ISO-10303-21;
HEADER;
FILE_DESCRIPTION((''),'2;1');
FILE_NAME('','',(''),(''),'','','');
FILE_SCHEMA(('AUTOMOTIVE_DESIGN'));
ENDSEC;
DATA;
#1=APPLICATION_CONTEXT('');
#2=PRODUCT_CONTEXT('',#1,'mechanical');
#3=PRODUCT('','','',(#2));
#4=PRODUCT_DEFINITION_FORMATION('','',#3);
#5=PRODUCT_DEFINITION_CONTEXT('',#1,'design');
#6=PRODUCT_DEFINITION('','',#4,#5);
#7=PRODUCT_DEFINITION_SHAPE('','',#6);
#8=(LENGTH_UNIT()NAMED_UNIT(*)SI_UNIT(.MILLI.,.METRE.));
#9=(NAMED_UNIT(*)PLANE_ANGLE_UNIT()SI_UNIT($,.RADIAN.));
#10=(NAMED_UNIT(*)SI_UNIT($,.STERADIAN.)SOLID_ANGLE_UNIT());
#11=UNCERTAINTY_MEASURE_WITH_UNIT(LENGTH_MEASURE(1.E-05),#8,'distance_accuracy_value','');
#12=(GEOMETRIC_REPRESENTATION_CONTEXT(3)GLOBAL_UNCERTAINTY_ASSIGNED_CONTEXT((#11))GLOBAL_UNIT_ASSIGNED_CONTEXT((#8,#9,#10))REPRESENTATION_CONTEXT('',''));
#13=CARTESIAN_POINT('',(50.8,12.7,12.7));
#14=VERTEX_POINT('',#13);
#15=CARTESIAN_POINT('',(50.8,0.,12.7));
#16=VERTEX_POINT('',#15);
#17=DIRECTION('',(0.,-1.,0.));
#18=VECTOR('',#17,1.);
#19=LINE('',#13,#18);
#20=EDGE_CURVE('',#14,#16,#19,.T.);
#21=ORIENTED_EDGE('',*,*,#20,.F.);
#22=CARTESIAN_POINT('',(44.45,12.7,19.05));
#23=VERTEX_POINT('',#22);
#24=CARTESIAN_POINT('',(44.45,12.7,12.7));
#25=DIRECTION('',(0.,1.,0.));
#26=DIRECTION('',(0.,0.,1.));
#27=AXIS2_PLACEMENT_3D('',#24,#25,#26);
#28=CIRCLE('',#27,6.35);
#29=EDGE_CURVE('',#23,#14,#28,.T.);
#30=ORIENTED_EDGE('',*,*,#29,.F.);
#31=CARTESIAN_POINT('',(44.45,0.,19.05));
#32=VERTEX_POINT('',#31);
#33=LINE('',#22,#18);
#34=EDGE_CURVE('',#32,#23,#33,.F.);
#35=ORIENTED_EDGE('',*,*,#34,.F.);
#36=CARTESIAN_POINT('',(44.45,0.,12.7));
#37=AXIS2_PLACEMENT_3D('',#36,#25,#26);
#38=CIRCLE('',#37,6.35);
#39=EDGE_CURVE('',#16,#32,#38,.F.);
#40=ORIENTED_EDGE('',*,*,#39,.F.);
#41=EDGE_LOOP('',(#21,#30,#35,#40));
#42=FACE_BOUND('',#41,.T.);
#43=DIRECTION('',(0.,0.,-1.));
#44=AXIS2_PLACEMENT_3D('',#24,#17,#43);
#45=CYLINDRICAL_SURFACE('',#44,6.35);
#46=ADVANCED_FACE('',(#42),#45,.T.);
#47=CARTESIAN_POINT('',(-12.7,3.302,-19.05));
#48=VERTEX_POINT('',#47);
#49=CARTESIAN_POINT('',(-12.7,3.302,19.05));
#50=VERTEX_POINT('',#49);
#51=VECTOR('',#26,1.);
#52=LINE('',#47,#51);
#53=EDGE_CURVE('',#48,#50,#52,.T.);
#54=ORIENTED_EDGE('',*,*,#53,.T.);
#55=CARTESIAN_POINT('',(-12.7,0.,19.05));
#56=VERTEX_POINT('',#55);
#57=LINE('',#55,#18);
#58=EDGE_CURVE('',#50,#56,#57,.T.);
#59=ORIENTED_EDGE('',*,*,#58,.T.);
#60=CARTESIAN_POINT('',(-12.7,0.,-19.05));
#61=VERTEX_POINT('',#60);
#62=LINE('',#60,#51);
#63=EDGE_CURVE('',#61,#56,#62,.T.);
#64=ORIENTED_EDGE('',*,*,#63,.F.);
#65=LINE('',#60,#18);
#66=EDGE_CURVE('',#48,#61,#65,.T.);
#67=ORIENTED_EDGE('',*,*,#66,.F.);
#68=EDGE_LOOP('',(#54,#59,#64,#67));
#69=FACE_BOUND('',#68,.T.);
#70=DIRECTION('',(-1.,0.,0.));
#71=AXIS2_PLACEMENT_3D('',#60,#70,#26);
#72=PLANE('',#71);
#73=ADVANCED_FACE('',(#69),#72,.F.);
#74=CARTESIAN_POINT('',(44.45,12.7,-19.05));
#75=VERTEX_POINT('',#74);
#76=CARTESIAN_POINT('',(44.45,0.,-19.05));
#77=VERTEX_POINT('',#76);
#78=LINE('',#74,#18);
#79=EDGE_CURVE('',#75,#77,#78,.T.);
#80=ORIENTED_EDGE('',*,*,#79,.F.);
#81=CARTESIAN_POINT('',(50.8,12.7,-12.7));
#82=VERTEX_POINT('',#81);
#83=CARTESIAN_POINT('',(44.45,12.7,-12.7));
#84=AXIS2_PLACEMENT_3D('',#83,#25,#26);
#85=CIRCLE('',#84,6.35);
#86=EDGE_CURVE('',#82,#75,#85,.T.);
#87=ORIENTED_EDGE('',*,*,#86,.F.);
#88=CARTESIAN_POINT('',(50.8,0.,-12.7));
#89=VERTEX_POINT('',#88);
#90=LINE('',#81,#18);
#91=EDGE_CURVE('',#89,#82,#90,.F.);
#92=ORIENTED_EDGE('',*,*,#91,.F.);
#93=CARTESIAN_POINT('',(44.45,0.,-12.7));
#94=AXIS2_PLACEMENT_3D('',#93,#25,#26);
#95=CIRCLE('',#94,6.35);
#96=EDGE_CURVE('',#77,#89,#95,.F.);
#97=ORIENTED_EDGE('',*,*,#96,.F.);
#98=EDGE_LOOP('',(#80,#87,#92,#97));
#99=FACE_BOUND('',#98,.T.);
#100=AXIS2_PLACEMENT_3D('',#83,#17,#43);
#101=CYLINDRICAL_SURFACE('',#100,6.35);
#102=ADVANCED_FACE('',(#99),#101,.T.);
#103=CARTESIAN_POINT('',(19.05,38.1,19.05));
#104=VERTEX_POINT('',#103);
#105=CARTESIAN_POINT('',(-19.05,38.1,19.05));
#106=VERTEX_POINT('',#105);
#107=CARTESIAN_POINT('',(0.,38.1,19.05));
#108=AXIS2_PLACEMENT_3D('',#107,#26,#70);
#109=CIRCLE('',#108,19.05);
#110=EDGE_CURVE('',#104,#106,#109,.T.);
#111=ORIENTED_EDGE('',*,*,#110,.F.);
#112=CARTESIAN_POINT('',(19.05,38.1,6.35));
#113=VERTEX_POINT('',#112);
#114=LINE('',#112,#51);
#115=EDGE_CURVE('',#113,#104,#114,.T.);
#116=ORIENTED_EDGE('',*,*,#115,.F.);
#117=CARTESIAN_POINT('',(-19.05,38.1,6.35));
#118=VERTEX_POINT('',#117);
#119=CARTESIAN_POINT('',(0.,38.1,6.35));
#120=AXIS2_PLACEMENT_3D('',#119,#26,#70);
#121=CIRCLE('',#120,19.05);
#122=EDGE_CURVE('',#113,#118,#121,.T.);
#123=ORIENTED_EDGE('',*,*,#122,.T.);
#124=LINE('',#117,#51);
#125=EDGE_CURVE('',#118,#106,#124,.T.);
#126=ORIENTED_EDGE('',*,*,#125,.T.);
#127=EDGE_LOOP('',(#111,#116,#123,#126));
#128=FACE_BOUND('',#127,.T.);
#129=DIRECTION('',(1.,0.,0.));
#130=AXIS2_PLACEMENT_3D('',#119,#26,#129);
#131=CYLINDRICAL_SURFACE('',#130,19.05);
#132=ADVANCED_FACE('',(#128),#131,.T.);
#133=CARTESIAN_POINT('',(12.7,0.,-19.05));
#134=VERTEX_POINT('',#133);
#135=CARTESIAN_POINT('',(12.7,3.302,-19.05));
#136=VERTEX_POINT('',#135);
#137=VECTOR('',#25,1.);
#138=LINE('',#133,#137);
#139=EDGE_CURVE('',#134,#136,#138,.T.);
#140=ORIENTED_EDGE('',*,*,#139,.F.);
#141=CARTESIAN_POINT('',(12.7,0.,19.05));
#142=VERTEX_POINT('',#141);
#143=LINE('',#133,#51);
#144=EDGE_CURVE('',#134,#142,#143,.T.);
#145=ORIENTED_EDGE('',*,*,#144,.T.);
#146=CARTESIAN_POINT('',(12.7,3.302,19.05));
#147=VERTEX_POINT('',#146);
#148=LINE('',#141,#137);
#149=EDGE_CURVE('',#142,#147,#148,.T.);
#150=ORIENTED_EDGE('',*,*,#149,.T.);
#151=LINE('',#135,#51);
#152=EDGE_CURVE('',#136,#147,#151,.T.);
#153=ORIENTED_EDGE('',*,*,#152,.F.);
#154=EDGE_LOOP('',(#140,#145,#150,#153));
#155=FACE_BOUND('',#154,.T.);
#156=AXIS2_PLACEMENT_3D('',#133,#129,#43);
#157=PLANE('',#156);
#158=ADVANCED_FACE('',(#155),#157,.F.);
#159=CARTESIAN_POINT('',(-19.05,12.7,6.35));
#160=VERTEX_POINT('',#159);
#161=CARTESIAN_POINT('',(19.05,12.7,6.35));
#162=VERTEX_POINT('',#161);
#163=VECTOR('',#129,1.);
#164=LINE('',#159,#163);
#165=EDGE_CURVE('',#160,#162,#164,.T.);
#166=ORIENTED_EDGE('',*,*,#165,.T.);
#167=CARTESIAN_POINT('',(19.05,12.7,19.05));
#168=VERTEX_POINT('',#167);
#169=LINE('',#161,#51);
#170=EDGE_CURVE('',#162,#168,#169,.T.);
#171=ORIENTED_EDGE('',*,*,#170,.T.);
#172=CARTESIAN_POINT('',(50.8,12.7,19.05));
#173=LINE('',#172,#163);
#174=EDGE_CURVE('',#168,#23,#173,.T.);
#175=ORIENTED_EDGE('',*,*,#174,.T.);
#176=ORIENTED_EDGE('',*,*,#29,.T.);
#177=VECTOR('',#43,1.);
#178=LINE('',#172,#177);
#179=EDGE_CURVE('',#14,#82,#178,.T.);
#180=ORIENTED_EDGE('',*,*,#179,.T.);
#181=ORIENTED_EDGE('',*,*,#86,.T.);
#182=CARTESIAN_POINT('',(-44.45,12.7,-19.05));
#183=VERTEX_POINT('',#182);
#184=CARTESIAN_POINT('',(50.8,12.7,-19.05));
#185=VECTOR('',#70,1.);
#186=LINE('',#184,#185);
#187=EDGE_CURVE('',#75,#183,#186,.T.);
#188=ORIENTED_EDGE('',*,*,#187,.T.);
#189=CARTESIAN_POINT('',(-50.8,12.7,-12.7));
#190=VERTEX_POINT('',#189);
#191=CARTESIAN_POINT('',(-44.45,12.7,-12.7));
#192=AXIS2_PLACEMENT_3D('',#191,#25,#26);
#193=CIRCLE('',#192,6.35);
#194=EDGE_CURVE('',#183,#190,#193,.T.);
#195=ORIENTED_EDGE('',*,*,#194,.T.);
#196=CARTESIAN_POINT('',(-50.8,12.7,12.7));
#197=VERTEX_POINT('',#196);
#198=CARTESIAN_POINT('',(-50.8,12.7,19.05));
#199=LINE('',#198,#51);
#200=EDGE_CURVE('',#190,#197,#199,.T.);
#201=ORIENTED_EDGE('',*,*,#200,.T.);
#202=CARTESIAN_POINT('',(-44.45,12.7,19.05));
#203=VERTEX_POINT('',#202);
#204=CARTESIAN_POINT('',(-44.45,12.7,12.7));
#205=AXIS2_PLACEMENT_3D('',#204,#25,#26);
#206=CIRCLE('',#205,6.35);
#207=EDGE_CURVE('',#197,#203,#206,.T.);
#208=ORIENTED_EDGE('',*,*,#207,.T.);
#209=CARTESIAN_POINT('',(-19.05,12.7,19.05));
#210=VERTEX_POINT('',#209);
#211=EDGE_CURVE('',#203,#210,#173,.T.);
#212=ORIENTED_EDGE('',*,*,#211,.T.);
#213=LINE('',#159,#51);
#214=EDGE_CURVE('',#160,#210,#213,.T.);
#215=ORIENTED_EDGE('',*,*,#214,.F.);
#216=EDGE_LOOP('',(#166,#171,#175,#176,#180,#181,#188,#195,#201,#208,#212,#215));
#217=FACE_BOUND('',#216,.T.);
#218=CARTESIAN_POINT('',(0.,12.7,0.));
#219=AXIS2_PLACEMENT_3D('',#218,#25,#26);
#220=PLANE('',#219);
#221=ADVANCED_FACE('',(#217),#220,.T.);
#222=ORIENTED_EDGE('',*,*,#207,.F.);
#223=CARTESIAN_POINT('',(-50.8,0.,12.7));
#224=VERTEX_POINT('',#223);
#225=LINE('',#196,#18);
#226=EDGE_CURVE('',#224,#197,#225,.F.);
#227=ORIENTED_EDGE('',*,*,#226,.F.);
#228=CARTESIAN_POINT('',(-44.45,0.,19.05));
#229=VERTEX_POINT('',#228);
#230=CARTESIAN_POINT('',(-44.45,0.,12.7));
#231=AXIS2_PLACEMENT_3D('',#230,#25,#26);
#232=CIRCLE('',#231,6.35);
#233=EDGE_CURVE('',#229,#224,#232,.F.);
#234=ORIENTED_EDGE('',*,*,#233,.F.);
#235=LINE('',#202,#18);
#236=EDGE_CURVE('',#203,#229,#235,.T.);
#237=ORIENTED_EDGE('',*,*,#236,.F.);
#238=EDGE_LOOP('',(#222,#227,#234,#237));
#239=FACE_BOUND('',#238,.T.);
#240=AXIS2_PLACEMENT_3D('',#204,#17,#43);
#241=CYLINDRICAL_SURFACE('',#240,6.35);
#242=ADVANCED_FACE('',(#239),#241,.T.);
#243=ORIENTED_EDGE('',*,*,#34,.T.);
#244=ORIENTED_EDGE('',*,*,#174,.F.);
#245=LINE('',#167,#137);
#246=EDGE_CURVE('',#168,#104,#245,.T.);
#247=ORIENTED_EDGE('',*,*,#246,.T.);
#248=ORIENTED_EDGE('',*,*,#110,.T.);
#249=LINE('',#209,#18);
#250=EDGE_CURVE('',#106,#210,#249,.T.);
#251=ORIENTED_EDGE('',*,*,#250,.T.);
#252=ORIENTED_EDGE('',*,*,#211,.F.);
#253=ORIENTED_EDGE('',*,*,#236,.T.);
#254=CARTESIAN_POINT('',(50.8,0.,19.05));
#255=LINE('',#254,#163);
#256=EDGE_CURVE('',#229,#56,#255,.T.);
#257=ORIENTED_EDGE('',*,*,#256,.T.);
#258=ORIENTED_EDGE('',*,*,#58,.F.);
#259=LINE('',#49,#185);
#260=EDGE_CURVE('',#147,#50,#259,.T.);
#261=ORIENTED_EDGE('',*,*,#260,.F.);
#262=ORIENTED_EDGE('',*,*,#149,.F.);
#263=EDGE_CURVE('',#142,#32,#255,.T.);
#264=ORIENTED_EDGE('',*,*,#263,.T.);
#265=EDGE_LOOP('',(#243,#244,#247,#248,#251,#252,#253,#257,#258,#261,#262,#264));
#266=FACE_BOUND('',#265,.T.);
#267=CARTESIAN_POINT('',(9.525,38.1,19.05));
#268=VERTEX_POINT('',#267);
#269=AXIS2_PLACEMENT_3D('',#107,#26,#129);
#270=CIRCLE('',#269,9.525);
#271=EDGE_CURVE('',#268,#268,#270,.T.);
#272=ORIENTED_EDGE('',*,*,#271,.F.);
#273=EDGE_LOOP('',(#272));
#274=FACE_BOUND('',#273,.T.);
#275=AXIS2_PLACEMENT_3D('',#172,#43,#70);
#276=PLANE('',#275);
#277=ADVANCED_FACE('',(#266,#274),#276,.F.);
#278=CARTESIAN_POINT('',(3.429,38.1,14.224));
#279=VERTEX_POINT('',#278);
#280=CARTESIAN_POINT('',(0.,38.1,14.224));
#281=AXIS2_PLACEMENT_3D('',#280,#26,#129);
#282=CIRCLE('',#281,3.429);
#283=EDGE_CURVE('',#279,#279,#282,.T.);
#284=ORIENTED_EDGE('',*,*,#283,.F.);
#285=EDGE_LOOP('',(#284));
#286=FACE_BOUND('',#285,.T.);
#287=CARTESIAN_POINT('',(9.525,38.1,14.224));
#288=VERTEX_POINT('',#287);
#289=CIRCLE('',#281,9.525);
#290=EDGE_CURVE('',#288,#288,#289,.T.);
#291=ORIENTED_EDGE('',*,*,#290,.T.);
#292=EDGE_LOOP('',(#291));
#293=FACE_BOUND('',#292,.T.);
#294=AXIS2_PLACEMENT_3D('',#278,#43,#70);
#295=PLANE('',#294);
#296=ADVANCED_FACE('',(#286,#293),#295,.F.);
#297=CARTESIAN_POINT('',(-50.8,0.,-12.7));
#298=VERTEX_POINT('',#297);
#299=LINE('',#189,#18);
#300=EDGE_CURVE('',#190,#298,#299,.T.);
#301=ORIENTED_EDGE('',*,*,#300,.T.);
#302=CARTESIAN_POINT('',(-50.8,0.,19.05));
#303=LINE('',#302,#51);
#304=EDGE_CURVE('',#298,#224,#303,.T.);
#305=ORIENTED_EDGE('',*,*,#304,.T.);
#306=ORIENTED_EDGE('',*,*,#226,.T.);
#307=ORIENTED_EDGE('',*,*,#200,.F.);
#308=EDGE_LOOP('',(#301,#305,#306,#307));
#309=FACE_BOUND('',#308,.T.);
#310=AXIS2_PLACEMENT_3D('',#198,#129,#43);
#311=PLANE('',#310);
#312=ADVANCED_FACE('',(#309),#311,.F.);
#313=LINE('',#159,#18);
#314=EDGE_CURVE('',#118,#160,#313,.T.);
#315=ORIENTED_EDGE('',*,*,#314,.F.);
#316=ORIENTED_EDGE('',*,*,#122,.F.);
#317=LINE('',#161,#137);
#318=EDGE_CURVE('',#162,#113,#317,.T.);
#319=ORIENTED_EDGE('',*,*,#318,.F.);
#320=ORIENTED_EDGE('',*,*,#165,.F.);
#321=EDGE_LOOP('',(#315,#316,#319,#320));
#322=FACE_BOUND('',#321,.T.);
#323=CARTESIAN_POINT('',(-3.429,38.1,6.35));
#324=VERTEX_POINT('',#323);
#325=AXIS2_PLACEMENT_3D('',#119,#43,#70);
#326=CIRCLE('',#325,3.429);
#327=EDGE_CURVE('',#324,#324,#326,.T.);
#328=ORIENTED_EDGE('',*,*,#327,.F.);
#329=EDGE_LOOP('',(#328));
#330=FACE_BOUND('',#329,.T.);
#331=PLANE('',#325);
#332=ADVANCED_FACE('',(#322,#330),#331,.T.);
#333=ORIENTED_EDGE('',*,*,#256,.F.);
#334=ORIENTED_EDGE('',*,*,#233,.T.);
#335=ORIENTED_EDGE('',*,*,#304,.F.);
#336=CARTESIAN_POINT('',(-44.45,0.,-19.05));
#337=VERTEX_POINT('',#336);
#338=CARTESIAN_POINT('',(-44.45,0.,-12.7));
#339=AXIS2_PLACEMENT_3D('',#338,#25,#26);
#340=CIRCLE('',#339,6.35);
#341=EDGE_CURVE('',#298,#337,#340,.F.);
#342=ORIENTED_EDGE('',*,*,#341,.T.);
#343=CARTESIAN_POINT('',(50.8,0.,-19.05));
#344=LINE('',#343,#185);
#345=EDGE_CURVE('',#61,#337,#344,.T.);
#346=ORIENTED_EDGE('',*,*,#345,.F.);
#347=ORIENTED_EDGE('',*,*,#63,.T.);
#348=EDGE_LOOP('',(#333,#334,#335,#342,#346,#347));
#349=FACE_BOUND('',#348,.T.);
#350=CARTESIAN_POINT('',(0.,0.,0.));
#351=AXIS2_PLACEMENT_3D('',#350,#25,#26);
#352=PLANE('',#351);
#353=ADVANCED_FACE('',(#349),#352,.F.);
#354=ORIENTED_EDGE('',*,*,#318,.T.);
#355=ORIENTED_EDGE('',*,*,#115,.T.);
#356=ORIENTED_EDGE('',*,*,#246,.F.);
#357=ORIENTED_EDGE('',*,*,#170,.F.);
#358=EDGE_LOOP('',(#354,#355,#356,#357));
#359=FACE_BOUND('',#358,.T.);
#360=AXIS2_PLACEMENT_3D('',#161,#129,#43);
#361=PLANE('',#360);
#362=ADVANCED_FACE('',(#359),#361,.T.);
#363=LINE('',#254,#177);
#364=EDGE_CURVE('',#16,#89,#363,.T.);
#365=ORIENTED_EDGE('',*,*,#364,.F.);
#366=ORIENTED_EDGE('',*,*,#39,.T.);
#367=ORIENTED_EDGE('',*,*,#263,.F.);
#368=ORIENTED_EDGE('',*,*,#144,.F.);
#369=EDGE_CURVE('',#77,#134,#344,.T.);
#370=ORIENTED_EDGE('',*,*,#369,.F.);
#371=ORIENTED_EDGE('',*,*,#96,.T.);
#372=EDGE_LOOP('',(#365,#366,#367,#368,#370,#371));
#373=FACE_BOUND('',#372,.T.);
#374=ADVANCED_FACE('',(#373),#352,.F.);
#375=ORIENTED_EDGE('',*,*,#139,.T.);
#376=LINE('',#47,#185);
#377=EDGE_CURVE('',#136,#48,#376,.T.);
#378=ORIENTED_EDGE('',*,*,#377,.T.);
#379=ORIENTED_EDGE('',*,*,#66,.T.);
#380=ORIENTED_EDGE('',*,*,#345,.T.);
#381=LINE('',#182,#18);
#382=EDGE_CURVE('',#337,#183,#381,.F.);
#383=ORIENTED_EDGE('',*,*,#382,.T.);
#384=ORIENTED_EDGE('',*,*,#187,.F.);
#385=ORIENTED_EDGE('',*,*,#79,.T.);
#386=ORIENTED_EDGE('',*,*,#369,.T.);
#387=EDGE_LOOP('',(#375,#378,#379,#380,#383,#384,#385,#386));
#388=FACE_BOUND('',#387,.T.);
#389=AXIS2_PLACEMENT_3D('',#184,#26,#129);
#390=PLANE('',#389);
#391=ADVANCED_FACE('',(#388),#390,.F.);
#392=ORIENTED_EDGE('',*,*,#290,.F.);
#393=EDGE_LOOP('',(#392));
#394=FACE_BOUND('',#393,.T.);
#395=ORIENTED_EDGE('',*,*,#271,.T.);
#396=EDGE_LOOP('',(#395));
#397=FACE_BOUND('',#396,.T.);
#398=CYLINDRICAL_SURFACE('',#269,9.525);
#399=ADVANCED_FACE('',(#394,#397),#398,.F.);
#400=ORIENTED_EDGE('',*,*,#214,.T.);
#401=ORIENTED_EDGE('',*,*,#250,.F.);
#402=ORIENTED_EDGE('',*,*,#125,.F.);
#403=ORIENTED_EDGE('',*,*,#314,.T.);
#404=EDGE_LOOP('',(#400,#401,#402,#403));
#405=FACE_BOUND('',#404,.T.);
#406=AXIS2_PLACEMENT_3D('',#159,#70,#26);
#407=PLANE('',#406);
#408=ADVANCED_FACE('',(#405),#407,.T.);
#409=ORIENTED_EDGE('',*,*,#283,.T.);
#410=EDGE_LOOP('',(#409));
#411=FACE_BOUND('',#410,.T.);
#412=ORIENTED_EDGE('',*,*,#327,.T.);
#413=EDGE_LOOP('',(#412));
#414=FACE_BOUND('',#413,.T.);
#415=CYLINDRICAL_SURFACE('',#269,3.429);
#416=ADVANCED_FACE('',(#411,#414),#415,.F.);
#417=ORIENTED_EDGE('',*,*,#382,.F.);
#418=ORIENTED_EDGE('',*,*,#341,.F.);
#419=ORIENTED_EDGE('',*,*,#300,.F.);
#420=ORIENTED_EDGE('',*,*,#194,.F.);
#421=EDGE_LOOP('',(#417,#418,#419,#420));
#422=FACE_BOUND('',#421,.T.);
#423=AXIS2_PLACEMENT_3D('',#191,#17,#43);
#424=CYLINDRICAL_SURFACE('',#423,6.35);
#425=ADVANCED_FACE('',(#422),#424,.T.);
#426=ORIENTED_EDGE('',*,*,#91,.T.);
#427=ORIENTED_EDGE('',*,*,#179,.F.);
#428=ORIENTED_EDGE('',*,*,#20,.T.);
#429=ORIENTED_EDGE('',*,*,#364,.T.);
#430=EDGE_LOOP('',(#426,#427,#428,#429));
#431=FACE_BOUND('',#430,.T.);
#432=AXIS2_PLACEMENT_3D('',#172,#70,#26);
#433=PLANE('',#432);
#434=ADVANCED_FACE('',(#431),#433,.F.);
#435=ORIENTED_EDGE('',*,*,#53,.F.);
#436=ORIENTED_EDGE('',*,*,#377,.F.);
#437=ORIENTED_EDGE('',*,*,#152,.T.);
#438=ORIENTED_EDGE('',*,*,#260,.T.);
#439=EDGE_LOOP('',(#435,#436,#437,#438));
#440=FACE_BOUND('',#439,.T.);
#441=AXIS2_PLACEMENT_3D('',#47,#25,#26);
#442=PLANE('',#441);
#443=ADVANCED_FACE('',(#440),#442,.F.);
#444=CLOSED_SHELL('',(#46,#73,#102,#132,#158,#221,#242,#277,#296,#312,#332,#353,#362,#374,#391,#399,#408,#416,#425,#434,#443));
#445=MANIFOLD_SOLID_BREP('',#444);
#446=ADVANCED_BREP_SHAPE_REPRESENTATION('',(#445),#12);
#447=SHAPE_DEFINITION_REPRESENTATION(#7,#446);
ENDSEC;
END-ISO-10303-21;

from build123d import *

# Parameters (mm, degrees)
SKETCH2_W                                       = 101.6
SKETCH2_H                                       = 38.1
BOSS_EXTRUDE1_DEPTH                             = 12.7
SKETCH3_W                                       = 25.4
SKETCH3_H                                       = 3.302
CUT_EXTRUDE1_DEPTH                              = 65.757547823
BOSS_EXTRUDE2_DEPTH                             = 12.7
CBORE_FOR_0_PAN_HEAD_MACHINE_SCREW1_D           = 6.858
CBORE_FOR_0_PAN_HEAD_MACHINE_SCREW1_CBORE_D     = 19.05
CBORE_FOR_0_PAN_HEAD_MACHINE_SCREW1_CBORE_DEPTH = 4.826
FILLET1_R                                       = 6.35


with BuildPart() as part:
    # Sketch2 → Boss-Extrude1 (new body)
    with BuildSketch(Plane(origin=(0, 0, 0), x_dir=(1, 0, 0), z_dir=(0, 1, 0))):
        Rectangle(SKETCH2_W, SKETCH2_H)
    extrude(amount=BOSS_EXTRUDE1_DEPTH)

    # Sketch3 → Cut-Extrude1 (cut, through all)
    with BuildSketch(Plane.XY.offset(19.05)):
        with Locations((0, 1.651)):
            Rectangle(SKETCH3_W, SKETCH3_H)
    extrude(amount=-CUT_EXTRUDE1_DEPTH, mode=Mode.SUBTRACT)

    # Sketch5 → Boss-Extrude2 (add)
    with BuildSketch(Plane.XY.offset(19.05)):
        with BuildLine():
            Line((-19.05, 12.7), (19.05, 12.7))
            Line((19.05, 12.7), (19.05, 38.1))
            ThreePointArc((19.05, 38.1), (0, 57.15), (-19.05, 38.1))
            Line((-19.05, 38.1), (-19.05, 12.7))
        make_face()
    extrude(amount=-BOSS_EXTRUDE2_DEPTH)

    # CBORE for #0 Pan Head Machine Screw1 (through all)
    with Locations(Plane.XY.offset(19.05)):
        with Locations((0, 38.1)):
            CounterBoreHole(CBORE_FOR_0_PAN_HEAD_MACHINE_SCREW1_D / 2, CBORE_FOR_0_PAN_HEAD_MACHINE_SCREW1_CBORE_D / 2, CBORE_FOR_0_PAN_HEAD_MACHINE_SCREW1_CBORE_DEPTH)

    # Fillet1
    fillet1_edges = [part.edges().sort_by_distance(p)[0] for p in [
        (-50.8, 6.35, -19.05),
        (50.8, 6.35, -19.05),
        (50.8, 6.35, 19.05),
        (-50.8, 6.35, 19.05),
    ]]
    fillet(fillet1_edges, radius=FILLET1_R)


solid = part.part
